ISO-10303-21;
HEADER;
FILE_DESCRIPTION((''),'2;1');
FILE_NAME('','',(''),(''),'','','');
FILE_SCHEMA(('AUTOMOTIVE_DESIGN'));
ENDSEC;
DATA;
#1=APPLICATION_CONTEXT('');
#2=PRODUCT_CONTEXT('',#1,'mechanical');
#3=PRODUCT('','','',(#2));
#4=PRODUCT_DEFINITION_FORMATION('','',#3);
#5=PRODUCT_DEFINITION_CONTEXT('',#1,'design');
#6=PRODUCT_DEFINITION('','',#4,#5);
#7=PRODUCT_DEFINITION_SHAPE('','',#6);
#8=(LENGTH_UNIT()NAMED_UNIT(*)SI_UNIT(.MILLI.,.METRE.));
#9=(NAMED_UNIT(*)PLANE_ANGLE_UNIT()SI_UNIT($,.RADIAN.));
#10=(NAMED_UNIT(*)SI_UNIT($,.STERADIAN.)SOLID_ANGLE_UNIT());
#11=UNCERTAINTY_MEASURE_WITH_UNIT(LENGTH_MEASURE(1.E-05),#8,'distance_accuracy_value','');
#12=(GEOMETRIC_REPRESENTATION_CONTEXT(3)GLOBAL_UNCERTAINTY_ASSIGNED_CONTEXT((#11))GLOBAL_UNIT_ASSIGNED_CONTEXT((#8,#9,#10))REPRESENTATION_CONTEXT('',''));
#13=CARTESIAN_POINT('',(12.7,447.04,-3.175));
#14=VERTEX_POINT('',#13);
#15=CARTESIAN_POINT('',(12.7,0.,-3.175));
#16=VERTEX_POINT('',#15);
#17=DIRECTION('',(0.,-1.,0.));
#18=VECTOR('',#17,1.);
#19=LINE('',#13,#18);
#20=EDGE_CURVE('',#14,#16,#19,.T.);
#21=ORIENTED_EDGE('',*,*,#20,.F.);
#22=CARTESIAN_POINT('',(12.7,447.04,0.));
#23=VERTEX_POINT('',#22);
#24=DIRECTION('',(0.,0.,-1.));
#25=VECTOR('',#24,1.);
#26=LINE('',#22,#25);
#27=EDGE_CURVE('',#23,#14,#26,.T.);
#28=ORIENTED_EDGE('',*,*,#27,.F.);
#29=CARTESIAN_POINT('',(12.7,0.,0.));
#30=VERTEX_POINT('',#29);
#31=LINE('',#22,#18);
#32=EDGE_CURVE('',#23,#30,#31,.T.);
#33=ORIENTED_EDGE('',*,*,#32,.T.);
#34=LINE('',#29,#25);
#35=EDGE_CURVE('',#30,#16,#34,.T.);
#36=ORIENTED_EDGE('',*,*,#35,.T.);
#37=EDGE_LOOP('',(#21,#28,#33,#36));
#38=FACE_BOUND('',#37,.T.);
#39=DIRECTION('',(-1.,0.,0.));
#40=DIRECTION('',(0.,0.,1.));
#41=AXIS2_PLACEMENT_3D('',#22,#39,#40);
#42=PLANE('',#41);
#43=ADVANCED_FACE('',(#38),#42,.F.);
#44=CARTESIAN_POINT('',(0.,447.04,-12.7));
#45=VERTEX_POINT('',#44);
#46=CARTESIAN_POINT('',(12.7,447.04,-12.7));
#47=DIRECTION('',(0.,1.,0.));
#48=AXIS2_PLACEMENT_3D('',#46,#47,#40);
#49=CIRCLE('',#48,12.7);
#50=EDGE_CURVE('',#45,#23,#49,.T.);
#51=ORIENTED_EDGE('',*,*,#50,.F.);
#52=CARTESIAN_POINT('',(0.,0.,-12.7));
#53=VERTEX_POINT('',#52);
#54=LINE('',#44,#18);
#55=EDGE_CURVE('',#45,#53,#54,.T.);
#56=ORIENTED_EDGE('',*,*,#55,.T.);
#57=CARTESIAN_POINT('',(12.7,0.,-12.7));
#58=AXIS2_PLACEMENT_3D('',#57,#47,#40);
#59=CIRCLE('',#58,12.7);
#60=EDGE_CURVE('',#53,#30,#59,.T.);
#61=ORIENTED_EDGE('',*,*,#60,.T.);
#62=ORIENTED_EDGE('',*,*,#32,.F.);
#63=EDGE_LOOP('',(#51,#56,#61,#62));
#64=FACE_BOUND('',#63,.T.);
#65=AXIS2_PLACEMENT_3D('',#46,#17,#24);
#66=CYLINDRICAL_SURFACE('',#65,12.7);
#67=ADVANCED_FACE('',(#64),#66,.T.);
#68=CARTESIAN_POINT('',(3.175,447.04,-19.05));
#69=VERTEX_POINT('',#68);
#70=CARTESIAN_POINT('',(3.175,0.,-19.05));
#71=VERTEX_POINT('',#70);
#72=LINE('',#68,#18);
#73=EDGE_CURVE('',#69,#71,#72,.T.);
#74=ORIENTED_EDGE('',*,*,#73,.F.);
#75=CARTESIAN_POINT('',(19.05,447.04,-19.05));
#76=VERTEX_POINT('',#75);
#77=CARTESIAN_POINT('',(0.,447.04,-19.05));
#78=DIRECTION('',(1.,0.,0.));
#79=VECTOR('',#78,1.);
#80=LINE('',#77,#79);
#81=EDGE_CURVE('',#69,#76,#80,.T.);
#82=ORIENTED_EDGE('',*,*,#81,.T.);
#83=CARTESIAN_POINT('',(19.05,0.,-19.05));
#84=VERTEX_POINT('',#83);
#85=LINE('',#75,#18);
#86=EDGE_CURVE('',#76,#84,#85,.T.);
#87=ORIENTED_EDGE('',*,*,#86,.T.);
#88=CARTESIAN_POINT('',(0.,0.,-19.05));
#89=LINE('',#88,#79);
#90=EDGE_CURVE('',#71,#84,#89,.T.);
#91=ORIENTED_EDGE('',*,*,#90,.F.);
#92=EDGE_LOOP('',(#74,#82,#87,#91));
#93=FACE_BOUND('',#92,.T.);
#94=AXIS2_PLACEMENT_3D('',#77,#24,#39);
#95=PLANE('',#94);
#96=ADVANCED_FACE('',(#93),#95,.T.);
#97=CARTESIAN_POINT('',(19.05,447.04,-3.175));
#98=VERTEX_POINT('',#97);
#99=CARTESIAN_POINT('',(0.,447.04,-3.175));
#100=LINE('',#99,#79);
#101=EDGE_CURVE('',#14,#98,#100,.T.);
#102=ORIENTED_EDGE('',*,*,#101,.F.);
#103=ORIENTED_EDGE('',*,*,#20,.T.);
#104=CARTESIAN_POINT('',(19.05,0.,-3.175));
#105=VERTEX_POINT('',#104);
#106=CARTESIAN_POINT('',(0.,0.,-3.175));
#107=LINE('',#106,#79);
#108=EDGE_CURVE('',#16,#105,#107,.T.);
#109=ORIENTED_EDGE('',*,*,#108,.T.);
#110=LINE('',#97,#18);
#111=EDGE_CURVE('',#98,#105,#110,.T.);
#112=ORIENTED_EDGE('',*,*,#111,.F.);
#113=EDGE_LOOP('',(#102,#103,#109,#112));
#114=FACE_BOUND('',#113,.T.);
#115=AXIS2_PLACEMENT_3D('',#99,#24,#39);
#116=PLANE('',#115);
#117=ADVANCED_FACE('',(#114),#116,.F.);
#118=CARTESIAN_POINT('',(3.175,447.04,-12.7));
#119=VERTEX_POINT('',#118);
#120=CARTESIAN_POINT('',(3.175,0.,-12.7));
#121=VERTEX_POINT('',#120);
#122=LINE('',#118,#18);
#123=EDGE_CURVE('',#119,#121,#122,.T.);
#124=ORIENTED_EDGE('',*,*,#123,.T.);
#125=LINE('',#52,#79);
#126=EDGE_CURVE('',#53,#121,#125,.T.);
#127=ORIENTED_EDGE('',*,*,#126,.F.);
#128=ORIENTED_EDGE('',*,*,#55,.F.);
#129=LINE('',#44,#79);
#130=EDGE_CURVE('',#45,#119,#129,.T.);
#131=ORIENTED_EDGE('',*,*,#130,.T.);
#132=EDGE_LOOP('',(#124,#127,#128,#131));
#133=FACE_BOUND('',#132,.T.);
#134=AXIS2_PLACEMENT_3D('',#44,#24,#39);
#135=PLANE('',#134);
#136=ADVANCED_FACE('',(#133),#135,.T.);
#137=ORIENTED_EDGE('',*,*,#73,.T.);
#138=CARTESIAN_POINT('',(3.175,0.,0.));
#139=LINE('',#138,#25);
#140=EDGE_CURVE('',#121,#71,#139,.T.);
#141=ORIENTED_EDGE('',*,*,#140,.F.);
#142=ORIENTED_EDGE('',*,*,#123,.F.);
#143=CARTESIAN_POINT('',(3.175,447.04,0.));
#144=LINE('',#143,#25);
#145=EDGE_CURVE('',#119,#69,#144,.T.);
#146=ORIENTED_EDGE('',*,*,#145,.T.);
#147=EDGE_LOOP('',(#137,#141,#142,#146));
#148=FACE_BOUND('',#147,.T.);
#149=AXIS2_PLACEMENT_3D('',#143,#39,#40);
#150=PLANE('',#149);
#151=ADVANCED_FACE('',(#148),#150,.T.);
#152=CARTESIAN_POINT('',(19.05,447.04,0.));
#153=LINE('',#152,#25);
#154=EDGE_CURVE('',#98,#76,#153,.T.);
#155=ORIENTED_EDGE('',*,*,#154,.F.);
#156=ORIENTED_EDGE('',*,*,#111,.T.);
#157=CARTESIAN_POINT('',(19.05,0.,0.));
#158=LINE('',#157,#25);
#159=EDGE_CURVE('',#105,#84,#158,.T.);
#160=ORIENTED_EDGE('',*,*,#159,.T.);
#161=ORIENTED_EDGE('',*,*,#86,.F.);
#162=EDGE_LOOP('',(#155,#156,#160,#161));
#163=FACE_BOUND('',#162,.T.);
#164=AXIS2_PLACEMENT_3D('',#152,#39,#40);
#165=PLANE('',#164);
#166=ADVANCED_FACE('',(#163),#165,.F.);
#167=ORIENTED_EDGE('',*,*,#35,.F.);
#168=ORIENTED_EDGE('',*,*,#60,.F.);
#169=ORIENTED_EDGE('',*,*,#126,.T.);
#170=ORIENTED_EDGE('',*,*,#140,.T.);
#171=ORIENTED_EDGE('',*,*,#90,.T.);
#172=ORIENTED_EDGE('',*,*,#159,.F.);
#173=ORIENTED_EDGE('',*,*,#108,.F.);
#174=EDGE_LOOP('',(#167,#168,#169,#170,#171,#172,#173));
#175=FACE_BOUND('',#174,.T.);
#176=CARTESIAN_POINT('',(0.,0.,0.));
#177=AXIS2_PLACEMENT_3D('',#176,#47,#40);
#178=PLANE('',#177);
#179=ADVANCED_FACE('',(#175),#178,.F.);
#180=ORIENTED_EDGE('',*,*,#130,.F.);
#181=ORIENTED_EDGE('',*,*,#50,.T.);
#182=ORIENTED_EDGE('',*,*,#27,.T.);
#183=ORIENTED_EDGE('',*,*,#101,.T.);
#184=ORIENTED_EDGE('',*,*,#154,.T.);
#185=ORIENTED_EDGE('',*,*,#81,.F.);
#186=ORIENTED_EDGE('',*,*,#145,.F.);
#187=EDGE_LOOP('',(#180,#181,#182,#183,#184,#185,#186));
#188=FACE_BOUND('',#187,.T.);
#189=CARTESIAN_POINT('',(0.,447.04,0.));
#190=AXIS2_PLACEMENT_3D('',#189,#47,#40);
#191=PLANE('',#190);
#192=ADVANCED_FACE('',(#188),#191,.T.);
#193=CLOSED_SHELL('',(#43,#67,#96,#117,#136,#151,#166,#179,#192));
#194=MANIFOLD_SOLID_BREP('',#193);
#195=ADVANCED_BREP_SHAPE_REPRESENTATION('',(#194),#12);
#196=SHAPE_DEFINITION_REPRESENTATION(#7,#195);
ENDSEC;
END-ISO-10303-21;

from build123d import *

# Parameters (mm, degrees)
BOSS_EXTRUDE1_DEPTH = 447.04


with BuildPart() as part:
    # Sketch1 → Boss-Extrude1 (new body)
    with BuildSketch(Plane(origin=(0, 0, 0), x_dir=(1, 0, 0), z_dir=(0, 1, 0))):
        with BuildLine():
            ThreePointArc((0, 12.7), (3.719743879, 3.719743879), (12.7, 0))
            Line((12.7, 0), (12.7, 3.175))
            Line((12.7, 3.175), (19.05, 3.175))
            Line((19.05, 3.175), (19.05, 19.05))
            Line((19.05, 19.05), (3.175, 19.05))
            Line((3.175, 19.05), (3.175, 12.7))
            Line((3.175, 12.7), (0, 12.7))
        make_face()
    extrude(amount=BOSS_EXTRUDE1_DEPTH)


solid = part.part
